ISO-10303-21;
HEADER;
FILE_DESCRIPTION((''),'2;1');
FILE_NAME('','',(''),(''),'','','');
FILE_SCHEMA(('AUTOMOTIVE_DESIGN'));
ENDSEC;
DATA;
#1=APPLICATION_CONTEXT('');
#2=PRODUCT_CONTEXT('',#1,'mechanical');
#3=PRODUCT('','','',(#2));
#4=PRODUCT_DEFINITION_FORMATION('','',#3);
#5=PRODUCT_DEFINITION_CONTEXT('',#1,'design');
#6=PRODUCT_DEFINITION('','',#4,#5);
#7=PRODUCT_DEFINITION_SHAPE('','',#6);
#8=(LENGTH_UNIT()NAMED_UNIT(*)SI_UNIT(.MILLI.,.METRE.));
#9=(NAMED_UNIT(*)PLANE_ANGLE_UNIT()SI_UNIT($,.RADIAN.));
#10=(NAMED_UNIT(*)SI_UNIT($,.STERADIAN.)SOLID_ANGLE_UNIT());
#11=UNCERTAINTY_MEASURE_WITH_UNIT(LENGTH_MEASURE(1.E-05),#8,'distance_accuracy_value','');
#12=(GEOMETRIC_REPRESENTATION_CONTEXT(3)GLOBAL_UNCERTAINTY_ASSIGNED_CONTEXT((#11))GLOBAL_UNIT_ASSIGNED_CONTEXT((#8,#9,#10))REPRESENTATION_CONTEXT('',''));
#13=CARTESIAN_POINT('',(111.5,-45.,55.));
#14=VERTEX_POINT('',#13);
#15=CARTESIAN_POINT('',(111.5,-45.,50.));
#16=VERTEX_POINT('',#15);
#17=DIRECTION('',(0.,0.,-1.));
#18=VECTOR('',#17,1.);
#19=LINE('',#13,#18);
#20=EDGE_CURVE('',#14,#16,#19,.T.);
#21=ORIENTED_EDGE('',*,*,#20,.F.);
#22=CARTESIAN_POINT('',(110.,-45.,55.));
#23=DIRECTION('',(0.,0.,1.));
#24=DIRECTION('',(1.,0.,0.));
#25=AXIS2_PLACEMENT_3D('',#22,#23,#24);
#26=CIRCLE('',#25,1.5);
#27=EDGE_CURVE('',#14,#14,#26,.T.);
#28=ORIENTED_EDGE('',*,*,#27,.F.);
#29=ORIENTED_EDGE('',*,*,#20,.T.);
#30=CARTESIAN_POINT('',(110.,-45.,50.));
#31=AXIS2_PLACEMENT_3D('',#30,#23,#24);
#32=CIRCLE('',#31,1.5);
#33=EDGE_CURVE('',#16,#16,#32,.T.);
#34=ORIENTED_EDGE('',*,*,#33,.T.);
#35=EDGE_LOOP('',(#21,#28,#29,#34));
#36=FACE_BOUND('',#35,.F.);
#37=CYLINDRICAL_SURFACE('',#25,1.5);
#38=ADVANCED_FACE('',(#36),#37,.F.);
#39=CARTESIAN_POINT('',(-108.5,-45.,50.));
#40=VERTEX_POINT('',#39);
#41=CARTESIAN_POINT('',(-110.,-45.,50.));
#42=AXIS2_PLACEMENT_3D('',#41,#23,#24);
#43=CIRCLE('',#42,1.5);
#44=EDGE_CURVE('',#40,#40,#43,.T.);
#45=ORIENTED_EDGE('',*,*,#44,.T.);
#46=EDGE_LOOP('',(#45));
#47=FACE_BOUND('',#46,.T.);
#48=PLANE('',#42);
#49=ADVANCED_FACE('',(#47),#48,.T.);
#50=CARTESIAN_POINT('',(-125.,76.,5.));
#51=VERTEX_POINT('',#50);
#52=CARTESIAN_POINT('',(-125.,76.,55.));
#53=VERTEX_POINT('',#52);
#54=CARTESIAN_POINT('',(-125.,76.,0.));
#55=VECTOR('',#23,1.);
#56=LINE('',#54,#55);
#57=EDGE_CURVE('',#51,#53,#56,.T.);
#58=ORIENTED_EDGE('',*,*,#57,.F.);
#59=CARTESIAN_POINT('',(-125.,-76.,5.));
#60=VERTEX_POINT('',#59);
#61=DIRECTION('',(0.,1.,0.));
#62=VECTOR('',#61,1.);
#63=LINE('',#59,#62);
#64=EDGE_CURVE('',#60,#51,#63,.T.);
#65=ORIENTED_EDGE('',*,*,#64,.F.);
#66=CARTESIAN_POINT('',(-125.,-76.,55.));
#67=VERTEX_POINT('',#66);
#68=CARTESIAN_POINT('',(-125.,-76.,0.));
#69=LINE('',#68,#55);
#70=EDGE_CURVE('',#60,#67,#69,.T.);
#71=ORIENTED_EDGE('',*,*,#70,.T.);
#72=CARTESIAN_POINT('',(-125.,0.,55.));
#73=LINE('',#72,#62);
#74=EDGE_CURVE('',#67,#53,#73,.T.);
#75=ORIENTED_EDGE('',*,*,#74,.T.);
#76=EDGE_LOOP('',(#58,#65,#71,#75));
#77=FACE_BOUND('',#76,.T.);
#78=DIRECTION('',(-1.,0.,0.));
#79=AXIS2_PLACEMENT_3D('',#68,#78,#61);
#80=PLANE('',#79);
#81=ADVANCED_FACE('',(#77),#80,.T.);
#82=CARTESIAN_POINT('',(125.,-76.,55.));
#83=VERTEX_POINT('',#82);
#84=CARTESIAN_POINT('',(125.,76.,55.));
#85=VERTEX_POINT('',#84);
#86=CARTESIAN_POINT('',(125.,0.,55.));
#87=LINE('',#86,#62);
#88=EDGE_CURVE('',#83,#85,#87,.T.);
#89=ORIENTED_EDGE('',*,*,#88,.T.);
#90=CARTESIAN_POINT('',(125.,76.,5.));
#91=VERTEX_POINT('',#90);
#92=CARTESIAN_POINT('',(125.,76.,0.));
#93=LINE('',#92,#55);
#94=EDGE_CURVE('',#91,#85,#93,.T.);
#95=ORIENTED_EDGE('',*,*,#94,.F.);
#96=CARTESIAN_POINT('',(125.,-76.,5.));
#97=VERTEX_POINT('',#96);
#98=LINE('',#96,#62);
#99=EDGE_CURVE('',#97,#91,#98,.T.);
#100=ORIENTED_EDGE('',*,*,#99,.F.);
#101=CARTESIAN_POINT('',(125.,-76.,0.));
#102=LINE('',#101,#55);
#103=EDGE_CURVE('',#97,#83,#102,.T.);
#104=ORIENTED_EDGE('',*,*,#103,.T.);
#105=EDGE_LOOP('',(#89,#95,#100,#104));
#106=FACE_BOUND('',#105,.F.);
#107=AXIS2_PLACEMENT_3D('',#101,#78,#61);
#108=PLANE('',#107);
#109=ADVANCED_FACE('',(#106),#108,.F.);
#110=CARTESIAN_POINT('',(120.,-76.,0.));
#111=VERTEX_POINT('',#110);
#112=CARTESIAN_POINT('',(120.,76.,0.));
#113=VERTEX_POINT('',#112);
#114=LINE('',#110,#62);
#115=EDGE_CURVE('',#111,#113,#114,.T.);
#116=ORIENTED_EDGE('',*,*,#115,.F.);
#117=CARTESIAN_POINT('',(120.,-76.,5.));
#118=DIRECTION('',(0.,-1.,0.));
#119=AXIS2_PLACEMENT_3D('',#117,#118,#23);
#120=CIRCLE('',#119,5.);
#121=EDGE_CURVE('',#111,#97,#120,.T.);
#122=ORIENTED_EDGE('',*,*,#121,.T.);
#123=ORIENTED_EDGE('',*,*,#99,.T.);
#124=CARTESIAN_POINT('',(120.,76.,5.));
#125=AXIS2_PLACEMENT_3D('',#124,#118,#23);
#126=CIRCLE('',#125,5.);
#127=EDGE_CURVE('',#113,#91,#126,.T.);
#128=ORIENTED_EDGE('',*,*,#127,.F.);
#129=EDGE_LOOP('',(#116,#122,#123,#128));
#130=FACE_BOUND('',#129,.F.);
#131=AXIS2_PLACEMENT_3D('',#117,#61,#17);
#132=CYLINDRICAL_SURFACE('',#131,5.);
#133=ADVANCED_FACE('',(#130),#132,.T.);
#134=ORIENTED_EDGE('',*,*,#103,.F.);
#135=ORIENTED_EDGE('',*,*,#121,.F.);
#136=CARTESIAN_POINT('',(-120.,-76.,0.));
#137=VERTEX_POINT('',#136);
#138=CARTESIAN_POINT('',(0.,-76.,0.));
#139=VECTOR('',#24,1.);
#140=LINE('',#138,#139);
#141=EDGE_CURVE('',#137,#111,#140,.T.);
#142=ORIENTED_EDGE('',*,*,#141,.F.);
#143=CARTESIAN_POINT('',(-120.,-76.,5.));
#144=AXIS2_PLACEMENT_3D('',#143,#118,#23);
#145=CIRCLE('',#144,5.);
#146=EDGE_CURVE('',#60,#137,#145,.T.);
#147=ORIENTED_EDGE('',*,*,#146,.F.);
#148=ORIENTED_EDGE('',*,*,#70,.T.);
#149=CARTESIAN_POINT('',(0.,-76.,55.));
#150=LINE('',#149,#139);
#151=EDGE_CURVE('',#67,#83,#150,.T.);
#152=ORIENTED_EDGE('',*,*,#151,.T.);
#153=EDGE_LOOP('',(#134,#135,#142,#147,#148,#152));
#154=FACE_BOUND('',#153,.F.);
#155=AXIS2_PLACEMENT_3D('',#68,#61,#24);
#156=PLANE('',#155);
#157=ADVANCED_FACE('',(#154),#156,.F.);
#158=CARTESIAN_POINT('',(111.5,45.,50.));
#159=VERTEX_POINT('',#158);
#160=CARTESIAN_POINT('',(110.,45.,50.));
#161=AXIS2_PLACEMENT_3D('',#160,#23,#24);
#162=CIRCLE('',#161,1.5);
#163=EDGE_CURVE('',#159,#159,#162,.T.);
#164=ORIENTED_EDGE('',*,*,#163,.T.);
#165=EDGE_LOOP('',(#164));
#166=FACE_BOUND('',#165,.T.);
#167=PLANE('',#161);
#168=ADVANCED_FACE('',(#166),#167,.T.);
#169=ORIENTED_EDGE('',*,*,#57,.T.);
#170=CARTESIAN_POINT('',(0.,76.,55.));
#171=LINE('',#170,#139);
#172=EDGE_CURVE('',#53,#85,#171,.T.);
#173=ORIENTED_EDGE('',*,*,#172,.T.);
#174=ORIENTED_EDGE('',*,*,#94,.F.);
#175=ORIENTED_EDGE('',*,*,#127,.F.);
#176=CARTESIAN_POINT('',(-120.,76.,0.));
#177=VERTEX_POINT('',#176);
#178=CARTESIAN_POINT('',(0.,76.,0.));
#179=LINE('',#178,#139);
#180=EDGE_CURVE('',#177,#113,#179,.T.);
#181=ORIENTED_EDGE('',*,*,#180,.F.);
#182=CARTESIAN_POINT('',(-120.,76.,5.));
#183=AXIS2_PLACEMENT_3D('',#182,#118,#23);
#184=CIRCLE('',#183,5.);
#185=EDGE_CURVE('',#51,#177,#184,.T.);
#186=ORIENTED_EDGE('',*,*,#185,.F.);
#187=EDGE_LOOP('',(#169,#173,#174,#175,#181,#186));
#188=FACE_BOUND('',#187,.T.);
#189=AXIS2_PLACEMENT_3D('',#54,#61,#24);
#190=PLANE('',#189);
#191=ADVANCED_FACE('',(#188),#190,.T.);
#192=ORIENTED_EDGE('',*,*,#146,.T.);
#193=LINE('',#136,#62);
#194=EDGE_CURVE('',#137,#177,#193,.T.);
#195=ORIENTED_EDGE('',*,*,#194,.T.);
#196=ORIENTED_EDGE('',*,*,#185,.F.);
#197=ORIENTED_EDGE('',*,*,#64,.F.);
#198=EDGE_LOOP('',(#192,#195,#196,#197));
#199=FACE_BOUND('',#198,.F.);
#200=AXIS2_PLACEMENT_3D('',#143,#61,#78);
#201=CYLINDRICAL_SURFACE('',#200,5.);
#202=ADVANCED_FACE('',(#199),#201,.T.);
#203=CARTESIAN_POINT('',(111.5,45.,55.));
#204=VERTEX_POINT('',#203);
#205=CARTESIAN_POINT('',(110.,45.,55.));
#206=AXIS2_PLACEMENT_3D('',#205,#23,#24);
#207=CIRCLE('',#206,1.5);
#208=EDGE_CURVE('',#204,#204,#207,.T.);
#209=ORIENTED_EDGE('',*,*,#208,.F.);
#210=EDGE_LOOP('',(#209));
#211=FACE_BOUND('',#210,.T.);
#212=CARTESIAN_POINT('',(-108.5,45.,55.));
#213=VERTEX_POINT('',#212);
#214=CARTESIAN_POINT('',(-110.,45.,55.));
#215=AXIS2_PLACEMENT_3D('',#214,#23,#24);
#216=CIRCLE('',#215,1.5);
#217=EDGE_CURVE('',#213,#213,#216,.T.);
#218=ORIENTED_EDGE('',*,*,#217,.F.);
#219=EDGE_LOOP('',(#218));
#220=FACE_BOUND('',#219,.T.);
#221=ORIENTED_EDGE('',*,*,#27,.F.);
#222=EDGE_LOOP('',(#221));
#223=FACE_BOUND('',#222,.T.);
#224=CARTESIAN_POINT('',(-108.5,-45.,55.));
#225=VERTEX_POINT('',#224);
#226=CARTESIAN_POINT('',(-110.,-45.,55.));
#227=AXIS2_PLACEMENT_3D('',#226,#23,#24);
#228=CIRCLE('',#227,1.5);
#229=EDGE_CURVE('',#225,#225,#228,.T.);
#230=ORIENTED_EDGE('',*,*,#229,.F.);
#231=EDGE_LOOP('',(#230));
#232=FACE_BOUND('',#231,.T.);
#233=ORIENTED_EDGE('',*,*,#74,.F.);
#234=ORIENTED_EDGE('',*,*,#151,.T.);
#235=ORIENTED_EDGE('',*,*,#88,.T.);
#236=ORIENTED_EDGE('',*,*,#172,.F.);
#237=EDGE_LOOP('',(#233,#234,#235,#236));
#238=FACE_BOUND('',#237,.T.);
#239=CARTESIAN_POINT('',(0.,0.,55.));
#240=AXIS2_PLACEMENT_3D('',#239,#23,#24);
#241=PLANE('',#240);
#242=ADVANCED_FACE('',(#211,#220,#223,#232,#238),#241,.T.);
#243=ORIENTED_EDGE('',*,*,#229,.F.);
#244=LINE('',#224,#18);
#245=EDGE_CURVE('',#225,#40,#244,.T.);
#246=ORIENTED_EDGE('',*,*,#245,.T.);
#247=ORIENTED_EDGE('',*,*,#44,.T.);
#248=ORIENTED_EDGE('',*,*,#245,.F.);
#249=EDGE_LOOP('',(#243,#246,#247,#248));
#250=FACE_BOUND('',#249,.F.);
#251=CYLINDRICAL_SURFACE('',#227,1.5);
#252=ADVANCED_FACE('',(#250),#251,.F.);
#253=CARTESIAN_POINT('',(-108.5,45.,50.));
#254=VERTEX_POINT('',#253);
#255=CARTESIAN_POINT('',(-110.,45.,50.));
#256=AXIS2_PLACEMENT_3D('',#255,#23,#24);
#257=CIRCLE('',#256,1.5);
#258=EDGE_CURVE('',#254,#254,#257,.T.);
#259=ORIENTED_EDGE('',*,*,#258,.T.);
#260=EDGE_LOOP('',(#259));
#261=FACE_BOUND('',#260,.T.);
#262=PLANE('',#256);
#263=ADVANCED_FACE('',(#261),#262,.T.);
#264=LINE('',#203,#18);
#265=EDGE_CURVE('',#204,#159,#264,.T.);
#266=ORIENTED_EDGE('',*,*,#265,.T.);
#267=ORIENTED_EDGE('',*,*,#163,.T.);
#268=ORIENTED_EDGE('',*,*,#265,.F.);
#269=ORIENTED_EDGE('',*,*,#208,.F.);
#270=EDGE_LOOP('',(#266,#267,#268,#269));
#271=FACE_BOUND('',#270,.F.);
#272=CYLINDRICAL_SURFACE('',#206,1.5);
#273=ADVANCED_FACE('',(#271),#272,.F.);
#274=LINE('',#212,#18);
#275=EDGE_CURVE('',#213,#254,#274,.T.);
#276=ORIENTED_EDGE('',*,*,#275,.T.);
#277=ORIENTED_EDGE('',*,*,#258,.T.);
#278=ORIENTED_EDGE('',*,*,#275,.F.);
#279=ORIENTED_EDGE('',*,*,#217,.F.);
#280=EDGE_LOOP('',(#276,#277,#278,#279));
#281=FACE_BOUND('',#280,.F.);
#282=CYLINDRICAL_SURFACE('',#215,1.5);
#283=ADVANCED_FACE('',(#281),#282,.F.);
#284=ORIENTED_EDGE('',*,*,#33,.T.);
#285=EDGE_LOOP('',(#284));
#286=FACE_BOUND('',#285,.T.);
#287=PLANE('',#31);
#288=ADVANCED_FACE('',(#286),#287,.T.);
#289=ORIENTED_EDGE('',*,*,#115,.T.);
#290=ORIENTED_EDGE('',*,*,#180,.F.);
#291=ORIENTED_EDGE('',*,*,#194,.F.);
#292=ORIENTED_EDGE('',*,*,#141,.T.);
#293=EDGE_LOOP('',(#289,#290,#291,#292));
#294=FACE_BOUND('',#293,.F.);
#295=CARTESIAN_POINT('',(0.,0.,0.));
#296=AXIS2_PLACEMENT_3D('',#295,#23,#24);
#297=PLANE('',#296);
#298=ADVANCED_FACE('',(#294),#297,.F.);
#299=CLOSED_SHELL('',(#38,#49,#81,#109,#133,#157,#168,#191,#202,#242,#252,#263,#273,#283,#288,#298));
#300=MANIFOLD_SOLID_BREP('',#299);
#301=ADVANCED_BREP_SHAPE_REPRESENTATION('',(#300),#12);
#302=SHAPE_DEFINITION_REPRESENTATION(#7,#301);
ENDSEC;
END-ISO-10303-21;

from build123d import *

# Parameters (mm, degrees)
F0_W     = 250
F0_H     = 152
F1_DEPTH = 55
F2_R     = 1.5
F3_DEPTH = 5
F4_R     = 5


with BuildPart() as f1:
    # F0 (on Top) → F1 (new body)
    with BuildSketch(Plane.XY):
        Rectangle(F0_W, F0_H)
    extrude(amount=F1_DEPTH)

    # F2 (on face) → F3 (cut)
    with BuildSketch(Plane.XY.offset(55)):
        with Locations((-110, 45)):
            Circle(F2_R)
        with Locations((110, 45)):
            Circle(F2_R)
        with Locations((-110, -45)):
            Circle(F2_R)
        with Locations((110, -45)):
            Circle(F2_R)
    extrude(amount=-F3_DEPTH, mode=Mode.SUBTRACT)

    # F4
    f4_edges = [f1.edges().sort_by_distance(p)[0] for p in [
        (-125, 0, 0),
        (125, 0, 0),
    ]]
    fillet(f4_edges, radius=F4_R)


solid = f1.part
